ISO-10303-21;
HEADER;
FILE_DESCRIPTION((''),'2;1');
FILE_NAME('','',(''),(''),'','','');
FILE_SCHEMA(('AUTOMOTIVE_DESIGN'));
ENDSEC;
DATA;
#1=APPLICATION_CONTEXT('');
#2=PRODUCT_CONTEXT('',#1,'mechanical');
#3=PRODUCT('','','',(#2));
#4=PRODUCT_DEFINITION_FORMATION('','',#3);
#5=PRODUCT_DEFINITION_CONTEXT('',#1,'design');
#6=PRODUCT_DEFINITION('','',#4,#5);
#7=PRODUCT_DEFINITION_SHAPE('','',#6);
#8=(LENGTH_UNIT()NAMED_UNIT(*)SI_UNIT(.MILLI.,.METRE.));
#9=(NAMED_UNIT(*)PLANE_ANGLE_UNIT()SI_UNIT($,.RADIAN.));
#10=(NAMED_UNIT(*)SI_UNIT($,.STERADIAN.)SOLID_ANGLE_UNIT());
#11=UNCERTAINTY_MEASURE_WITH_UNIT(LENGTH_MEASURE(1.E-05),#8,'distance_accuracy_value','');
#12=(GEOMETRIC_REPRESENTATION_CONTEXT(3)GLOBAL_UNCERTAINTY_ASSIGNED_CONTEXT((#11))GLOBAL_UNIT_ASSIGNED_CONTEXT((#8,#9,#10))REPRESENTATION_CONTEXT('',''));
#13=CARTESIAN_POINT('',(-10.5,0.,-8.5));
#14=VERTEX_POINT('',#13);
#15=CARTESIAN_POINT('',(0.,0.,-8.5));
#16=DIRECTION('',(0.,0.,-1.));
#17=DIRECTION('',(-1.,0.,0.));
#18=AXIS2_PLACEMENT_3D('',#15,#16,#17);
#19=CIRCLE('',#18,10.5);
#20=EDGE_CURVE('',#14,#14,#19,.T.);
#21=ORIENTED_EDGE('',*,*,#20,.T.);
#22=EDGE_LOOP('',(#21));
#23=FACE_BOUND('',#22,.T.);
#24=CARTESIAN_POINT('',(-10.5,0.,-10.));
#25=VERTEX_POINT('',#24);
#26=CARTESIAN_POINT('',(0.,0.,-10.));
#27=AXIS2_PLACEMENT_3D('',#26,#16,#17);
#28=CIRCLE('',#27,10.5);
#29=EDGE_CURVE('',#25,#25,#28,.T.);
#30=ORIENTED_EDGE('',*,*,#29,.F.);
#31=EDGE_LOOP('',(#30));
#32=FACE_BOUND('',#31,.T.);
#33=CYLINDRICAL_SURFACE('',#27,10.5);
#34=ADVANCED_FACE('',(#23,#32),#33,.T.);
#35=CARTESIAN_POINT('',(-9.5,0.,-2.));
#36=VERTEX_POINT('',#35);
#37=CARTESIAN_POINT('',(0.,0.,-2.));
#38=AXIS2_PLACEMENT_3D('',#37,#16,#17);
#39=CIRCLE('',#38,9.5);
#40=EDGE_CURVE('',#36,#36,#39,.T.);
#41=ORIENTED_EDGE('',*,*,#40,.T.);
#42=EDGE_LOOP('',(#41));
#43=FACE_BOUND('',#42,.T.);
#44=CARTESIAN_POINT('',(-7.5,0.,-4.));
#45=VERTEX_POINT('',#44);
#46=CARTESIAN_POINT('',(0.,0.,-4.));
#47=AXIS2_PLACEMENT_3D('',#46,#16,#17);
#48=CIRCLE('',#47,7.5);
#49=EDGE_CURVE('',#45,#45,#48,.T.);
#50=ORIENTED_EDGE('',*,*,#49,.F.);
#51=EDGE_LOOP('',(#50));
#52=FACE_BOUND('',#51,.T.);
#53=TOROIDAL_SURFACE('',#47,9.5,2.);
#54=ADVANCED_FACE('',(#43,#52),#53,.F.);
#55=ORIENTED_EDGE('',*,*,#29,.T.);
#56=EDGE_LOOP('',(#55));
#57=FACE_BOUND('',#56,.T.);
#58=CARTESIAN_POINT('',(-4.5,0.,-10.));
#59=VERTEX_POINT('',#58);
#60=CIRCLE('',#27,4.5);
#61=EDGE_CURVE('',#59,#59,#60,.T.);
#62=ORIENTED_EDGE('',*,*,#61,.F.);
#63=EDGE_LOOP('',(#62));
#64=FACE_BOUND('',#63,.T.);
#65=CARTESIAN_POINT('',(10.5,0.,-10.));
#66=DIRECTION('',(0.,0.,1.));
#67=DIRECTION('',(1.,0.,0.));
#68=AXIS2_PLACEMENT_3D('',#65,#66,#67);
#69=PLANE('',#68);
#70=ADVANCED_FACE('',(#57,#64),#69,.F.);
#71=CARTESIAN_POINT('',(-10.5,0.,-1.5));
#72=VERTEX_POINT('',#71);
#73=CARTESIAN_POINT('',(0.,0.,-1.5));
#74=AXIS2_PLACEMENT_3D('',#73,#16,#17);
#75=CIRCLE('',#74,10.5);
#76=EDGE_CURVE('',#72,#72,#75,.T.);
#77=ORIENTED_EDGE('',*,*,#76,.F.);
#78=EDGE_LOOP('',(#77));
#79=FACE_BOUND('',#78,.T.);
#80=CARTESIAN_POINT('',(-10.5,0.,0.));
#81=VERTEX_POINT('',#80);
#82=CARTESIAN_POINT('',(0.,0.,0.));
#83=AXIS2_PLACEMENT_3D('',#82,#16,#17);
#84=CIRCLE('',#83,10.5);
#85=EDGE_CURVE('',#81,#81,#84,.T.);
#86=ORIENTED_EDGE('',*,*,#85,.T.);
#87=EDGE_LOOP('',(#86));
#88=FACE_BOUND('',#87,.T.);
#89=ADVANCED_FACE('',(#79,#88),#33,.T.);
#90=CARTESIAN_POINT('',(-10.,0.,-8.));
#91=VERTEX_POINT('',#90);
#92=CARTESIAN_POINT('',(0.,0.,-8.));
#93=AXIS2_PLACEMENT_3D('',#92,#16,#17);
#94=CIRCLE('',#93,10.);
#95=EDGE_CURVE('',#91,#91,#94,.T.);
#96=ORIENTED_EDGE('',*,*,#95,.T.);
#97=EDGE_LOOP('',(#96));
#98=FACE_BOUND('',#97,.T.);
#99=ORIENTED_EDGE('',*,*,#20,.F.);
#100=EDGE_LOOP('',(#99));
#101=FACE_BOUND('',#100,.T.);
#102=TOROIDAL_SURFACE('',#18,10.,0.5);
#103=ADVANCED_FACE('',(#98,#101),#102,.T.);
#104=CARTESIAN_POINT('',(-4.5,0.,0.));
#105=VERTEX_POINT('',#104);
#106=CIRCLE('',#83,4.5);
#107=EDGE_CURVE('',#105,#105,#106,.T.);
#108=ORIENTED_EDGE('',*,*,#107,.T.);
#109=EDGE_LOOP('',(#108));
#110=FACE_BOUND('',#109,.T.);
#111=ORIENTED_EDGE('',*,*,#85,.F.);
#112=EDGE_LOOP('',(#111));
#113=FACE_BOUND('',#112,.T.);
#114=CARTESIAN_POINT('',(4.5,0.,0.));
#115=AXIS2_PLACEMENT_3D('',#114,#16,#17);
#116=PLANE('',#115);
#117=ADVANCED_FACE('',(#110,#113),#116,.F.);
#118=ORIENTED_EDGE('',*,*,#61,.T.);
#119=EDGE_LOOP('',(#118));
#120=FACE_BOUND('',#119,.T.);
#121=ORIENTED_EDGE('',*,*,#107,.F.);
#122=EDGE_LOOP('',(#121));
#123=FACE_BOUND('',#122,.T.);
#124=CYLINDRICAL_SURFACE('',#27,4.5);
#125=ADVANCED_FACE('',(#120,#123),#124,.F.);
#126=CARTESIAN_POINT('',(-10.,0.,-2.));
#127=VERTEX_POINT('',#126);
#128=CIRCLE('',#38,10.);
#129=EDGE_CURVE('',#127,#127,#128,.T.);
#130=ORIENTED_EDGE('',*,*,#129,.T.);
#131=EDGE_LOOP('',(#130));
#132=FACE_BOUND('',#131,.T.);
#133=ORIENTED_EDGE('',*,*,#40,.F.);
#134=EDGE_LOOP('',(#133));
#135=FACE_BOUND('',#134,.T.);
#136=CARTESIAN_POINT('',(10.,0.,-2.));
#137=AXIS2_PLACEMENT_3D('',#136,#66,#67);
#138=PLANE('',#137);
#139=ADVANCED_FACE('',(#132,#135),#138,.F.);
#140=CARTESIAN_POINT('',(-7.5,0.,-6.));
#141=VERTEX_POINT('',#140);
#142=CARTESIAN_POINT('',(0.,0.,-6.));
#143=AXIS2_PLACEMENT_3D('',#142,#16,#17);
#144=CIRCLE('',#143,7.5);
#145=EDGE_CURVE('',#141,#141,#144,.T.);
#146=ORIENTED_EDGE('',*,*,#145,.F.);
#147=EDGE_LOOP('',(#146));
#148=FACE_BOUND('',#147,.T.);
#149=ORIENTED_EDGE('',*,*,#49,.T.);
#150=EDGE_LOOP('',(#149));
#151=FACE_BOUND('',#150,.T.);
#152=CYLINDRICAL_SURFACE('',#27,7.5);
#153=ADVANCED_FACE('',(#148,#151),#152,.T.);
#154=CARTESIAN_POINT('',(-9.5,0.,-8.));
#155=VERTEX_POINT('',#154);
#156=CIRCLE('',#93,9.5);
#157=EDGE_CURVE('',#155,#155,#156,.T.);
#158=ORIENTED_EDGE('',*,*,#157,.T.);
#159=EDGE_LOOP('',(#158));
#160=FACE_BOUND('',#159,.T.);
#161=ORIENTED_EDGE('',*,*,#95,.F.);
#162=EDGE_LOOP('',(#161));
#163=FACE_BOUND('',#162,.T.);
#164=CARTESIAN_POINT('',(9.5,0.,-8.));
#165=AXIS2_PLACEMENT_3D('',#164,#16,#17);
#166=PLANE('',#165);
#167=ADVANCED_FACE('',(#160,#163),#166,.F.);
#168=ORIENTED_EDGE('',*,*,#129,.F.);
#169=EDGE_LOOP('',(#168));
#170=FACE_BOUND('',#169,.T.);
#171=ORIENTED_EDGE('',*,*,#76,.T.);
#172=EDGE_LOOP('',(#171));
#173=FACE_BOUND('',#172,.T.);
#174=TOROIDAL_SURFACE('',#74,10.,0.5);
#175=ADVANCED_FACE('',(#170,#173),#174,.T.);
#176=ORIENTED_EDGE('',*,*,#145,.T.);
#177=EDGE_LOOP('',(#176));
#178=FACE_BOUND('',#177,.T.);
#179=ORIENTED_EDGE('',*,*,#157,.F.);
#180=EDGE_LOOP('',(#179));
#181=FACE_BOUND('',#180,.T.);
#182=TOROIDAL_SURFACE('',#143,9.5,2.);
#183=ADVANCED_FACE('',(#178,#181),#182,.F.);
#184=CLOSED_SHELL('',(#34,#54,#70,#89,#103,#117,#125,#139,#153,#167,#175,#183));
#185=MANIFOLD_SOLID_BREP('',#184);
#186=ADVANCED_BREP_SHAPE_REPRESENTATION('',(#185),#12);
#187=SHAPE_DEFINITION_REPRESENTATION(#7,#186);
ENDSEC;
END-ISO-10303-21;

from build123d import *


with BuildPart() as part:
    # Sketch2 → Revolve1 (revolve)
    with BuildSketch(Plane(origin=(0, 0, 0), x_dir=(1, 0, 0), z_dir=(0, 1, 0)), mode=Mode.PRIVATE) as revolve1_sk:
        with BuildLine():
            Line((4.5, 0), (10.5, 0))
            Line((10.5, 0), (10.5, 1.5))
            ThreePointArc((10.5, 1.5), (10.353553391, 1.853553391), (10, 2))
            Line((10, 2), (9.5, 2))
            ThreePointArc((9.5, 2), (8.085786438, 2.585786438), (7.5, 4))
            Line((7.5, 4), (7.5, 6))
            ThreePointArc((7.5, 6), (8.085786438, 7.414213562), (9.5, 8))
            Line((9.5, 8), (10, 8))
            ThreePointArc((10, 8), (10.353553391, 8.146446609), (10.5, 8.5))
            Line((10.5, 8.5), (10.5, 10))
            Line((10.5, 10), (4.5, 10))
            Line((4.5, 10), (4.5, 0))
        make_face()
    revolve(revolve1_sk.sketch.rotate(Axis((0, 0, -10), (0, 0, 1)), 180), axis=Axis((0, 0, -10), (0, 0, 1)))


solid = part.part
